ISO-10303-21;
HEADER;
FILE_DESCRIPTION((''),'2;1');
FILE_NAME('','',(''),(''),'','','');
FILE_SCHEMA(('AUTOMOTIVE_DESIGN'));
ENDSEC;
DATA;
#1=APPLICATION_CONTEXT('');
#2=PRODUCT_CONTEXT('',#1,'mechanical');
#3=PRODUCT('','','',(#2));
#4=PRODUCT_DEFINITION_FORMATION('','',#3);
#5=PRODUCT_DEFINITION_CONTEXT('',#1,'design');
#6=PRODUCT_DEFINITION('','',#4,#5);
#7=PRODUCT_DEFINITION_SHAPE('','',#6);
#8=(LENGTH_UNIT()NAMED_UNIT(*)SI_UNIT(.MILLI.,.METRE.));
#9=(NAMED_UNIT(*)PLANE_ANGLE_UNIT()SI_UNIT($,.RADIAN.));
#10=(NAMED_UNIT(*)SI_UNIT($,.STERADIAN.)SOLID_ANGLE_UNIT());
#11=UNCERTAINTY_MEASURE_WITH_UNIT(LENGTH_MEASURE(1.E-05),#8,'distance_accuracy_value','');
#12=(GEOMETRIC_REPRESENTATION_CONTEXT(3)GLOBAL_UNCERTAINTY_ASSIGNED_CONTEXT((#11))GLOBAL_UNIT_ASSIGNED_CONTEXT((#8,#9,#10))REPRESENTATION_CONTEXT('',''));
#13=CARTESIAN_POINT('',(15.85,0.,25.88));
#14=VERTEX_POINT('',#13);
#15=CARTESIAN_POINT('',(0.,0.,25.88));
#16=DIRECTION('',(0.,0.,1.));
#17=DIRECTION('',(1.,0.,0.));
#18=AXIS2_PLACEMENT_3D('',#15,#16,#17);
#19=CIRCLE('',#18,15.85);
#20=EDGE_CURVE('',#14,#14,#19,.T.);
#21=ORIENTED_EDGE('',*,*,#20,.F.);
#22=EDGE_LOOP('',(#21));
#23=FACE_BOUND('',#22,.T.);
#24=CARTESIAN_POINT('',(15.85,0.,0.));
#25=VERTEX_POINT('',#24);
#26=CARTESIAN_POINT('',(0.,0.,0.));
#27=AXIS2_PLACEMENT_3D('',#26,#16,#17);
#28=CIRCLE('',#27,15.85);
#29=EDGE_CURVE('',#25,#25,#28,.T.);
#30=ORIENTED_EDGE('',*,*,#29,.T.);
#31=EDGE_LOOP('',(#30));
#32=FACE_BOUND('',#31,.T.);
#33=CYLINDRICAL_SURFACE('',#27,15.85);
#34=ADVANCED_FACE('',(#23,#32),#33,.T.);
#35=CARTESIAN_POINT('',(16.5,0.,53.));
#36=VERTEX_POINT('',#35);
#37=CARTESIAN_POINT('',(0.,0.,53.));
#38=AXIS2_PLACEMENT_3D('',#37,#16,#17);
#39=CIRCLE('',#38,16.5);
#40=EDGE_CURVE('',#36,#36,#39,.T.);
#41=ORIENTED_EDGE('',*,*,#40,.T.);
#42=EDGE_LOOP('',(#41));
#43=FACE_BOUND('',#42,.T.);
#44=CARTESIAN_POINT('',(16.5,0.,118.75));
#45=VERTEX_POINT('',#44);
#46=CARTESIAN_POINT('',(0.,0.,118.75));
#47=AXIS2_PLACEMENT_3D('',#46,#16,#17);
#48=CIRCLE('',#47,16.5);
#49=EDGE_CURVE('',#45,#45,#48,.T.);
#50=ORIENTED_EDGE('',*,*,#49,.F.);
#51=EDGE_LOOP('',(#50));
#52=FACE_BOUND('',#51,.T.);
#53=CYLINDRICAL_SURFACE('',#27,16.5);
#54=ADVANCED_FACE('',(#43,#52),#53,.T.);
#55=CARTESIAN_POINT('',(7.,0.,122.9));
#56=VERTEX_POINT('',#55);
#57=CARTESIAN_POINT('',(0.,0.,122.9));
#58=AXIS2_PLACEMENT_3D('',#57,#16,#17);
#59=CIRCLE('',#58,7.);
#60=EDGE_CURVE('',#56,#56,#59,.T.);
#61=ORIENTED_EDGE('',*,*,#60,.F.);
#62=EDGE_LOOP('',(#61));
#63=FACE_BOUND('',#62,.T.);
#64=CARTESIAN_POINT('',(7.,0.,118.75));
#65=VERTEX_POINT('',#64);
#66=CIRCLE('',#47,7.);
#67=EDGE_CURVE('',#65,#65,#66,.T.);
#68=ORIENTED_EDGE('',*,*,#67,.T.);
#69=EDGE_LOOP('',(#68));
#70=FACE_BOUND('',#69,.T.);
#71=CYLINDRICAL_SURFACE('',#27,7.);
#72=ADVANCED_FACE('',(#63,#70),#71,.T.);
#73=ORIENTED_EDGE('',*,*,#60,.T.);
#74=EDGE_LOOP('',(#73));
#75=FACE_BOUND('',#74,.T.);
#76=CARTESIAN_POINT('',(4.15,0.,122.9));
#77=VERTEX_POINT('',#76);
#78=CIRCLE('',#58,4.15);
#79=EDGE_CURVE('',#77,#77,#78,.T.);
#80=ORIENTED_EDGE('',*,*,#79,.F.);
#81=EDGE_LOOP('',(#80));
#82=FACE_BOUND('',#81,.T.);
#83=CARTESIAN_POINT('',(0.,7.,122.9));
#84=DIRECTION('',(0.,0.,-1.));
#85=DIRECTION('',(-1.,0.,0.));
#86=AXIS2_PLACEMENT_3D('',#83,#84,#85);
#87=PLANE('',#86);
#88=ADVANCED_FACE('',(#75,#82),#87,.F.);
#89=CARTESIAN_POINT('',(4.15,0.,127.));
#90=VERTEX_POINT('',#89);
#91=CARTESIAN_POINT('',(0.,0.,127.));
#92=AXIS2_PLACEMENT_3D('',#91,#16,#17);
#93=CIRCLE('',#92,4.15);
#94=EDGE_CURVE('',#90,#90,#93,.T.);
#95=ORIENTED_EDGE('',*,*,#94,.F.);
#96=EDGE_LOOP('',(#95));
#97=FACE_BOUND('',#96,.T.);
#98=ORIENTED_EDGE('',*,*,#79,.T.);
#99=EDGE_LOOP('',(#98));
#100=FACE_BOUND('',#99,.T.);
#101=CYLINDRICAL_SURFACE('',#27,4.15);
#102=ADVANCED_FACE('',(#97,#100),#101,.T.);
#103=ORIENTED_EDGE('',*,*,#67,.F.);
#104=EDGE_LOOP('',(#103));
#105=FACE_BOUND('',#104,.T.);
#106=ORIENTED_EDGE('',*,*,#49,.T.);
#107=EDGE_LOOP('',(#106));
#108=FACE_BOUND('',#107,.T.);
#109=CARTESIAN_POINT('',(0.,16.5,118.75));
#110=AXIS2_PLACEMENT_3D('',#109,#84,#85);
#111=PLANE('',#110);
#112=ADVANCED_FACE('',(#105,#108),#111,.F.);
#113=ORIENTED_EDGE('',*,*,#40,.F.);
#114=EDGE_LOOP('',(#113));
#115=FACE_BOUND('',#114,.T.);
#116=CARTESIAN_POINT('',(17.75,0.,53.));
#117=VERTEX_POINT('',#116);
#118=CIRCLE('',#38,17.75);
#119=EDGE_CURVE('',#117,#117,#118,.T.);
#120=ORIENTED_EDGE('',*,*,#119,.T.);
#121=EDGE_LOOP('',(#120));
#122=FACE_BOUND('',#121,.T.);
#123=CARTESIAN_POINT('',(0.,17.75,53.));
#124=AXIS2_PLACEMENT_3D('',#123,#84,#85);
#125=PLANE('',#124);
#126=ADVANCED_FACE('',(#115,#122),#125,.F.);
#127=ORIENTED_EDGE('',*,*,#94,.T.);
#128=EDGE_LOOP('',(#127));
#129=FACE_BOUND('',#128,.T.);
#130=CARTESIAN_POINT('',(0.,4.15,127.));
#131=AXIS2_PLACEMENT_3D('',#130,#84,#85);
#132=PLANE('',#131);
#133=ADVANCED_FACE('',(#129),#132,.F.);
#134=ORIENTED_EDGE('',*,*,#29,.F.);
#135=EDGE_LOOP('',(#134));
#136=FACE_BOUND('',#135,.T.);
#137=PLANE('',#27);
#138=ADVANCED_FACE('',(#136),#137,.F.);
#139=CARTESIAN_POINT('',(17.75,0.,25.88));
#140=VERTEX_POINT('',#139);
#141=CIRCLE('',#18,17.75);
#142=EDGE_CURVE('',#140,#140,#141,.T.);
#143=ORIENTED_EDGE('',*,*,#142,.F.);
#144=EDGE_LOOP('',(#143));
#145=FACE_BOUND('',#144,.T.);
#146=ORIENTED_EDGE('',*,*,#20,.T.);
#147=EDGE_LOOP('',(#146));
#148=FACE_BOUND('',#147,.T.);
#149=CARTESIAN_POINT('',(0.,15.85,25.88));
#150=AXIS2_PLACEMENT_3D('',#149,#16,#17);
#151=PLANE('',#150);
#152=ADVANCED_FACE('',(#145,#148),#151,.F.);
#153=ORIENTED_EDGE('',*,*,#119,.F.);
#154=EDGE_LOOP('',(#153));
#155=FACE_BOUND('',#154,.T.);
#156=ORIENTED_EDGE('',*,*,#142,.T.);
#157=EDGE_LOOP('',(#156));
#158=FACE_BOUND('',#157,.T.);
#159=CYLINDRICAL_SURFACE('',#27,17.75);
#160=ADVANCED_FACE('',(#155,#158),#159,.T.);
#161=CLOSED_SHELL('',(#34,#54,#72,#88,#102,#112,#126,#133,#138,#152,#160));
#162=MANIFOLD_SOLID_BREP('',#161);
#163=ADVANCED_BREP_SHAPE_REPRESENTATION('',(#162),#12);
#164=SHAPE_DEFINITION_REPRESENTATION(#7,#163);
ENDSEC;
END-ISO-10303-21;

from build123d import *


with BuildPart() as part:
    # Sketch1 → Revolve1 (revolve)
    with BuildSketch(Plane(origin=(0, 0, 0), x_dir=(0, 0, -1), z_dir=(1, 0, 0)), mode=Mode.PRIVATE) as revolve1_sk:
        Polygon((0, 0), (-127, 0), (-127, 4.15), (-122.9, 4.15), (-122.9, 7), (-118.75, 7), (-118.75, 16.5), (-53, 16.5), (-53, 17.75), (-25.88, 17.75), (-25.88, 15.85), (0, 15.85), align=None)
    revolve(revolve1_sk.sketch.rotate(Axis((0, 0, 0), (0, 0, -1)), 90), axis=Axis((0, 0, 0), (0, 0, -1)))


solid = part.part
